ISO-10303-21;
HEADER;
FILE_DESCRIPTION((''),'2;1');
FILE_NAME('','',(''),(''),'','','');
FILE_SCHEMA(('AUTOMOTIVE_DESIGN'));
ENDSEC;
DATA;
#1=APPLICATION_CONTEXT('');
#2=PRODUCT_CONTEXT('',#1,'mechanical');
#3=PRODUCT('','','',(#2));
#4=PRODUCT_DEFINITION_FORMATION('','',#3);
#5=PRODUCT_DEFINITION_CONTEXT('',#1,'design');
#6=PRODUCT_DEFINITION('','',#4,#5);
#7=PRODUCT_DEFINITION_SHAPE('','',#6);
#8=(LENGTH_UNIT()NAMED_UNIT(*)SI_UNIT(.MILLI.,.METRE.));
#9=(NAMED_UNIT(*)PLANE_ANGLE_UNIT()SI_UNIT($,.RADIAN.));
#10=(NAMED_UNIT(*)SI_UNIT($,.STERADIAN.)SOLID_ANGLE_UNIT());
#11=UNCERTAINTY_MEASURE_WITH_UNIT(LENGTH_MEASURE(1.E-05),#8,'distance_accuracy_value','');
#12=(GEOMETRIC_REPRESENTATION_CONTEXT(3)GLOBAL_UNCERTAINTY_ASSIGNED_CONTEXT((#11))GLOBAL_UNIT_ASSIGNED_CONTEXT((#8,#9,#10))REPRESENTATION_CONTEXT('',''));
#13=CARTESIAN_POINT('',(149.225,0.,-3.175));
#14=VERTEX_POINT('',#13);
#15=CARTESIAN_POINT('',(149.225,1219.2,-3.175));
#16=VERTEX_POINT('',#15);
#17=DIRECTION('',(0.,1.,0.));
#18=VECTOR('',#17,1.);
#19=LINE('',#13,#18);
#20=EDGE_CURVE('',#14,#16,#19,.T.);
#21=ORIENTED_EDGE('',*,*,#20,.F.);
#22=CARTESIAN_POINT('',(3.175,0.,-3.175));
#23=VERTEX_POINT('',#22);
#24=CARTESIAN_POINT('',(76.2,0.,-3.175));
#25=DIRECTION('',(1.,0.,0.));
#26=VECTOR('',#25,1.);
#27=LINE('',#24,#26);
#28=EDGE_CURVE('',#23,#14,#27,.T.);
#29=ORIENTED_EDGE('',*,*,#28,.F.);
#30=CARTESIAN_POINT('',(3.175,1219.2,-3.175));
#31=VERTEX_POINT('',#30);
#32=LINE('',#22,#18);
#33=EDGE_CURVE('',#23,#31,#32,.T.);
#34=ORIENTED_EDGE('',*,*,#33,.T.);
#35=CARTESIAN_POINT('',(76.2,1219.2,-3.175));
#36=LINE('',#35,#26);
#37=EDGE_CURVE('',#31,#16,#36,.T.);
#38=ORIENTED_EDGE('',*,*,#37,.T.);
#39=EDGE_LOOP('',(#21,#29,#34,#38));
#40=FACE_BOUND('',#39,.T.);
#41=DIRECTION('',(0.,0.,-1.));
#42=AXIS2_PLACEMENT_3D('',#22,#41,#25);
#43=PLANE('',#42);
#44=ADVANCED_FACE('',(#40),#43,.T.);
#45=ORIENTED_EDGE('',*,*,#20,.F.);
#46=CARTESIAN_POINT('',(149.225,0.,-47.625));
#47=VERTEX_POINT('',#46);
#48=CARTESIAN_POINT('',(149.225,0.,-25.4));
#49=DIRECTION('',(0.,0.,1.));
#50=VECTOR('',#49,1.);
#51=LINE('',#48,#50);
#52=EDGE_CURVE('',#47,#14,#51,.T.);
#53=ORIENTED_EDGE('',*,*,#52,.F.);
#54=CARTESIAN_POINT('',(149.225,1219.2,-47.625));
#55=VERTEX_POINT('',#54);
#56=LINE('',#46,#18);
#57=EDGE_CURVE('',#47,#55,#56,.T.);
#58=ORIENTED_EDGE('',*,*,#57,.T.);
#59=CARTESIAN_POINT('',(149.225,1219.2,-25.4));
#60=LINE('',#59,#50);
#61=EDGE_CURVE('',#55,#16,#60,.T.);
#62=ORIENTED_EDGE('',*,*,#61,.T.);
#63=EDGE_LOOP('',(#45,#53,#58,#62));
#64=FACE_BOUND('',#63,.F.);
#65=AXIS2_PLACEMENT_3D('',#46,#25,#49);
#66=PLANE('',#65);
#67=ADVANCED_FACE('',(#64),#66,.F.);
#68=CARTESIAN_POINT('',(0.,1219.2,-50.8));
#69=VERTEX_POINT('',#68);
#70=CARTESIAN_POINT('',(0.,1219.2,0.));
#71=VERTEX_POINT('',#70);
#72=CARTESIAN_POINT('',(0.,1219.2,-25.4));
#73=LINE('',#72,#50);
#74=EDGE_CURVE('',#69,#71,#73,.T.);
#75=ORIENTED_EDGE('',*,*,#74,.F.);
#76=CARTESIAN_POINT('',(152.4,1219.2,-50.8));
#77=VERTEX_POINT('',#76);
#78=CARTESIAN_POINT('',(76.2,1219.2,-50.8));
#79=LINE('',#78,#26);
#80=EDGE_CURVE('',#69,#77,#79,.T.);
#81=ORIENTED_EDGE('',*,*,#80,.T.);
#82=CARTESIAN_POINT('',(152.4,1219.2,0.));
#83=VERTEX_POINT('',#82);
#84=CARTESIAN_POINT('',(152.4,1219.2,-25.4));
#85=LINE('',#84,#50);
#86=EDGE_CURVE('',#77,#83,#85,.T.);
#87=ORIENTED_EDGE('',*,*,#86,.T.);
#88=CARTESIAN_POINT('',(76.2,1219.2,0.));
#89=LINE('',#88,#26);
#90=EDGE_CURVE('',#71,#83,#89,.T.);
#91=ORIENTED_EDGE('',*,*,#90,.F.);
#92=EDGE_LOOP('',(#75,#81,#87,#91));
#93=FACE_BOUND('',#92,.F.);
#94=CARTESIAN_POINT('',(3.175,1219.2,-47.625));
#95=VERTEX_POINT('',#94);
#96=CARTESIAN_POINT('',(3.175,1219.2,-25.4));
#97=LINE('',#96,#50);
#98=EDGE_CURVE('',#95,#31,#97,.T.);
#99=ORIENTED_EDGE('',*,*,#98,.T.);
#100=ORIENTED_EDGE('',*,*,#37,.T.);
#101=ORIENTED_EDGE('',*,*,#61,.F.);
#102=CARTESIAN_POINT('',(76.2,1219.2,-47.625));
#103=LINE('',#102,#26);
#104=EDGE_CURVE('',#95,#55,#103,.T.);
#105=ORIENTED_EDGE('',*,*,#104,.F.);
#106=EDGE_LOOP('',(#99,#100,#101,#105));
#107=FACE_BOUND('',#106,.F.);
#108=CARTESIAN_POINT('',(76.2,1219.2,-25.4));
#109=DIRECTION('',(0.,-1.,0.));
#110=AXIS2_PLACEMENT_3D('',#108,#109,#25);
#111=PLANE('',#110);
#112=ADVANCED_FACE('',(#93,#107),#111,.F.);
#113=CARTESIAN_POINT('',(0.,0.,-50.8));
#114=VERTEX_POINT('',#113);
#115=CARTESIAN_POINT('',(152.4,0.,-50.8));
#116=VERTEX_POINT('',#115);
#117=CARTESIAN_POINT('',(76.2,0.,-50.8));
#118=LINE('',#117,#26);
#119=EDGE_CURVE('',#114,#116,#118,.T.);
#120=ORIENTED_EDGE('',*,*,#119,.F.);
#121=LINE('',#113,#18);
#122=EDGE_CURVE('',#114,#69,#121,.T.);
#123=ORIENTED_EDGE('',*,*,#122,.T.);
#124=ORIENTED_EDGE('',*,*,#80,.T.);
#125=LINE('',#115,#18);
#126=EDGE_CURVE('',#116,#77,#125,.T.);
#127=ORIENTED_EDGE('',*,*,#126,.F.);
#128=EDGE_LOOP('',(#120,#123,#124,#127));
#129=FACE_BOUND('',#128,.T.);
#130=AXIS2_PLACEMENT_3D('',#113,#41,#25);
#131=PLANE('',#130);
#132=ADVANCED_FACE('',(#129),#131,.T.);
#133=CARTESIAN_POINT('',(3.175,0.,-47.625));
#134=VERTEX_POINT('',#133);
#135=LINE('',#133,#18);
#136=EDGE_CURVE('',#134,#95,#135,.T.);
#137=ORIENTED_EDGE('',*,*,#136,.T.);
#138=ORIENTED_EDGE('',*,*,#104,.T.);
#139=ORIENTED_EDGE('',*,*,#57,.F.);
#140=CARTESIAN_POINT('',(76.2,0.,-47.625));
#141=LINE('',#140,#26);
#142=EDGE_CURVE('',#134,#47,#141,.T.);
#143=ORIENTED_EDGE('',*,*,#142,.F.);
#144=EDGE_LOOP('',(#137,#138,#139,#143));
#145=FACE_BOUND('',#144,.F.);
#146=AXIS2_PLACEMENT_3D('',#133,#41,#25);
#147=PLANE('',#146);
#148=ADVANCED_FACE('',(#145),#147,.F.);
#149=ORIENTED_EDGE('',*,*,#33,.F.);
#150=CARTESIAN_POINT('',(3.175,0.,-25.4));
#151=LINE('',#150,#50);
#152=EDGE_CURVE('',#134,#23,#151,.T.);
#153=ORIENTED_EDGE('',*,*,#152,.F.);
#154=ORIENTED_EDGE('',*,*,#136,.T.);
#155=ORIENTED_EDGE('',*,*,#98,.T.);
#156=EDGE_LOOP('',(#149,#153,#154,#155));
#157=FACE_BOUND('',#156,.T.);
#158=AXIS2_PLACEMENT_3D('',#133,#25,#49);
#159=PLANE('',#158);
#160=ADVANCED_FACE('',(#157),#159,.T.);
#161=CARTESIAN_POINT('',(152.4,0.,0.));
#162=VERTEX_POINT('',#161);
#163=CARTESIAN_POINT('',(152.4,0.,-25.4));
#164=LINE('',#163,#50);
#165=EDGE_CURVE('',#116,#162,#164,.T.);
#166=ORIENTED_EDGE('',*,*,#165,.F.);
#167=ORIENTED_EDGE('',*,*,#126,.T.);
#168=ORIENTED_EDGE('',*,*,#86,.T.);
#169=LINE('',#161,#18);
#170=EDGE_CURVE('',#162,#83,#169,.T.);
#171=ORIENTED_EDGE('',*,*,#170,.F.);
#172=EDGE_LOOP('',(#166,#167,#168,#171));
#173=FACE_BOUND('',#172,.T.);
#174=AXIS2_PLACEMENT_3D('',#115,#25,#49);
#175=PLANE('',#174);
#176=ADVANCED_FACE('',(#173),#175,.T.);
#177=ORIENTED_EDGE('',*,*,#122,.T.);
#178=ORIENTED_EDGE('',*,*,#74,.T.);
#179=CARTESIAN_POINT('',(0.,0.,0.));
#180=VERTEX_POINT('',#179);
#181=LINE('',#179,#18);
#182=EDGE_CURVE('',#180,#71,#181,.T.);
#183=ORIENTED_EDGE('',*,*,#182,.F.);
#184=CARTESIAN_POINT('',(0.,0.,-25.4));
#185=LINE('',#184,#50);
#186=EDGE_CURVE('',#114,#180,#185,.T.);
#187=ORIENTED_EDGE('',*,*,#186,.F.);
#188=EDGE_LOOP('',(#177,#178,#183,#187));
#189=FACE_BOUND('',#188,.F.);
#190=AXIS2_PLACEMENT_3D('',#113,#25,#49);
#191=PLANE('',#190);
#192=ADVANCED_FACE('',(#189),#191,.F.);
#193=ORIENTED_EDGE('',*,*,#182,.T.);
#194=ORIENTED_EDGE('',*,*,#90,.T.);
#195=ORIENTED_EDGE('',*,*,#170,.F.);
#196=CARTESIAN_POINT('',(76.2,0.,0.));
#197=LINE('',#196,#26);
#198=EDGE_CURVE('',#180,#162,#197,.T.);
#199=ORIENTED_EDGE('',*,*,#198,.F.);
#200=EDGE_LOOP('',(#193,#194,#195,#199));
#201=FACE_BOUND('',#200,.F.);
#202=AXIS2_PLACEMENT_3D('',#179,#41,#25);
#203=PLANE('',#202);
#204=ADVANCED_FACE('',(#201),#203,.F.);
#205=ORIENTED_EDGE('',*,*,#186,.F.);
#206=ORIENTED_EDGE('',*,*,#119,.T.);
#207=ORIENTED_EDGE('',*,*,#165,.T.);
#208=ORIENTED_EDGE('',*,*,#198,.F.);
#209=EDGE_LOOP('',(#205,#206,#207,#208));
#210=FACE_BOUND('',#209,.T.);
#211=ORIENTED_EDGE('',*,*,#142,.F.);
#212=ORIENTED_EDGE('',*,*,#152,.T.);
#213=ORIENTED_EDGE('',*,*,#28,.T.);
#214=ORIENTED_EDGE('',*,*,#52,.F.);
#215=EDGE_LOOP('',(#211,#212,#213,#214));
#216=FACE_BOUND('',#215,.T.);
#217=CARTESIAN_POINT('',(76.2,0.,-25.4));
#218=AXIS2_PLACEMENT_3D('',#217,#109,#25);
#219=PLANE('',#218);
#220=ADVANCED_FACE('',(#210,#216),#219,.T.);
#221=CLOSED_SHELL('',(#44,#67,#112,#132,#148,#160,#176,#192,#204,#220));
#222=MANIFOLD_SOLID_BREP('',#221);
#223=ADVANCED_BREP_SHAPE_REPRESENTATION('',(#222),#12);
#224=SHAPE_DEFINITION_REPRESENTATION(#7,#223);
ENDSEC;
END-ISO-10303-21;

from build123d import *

# Parameters (mm, degrees)
F0_W     = 152.4
F0_H     = 50.8
F0_W_2   = 146.05
F0_H_2   = 44.45
F1_DEPTH = 1219.2


with BuildPart() as f1:
    # F0 (on Front) → F1 (new body)
    with BuildSketch(Plane.XZ):
        with Locations((76.2, -25.4)):
            Rectangle(F0_W, F0_H)
        with Locations((76.2, -25.4)):
            Rectangle(F0_W_2, F0_H_2, mode=Mode.SUBTRACT)
    extrude(amount=-F1_DEPTH)


solid = f1.part
